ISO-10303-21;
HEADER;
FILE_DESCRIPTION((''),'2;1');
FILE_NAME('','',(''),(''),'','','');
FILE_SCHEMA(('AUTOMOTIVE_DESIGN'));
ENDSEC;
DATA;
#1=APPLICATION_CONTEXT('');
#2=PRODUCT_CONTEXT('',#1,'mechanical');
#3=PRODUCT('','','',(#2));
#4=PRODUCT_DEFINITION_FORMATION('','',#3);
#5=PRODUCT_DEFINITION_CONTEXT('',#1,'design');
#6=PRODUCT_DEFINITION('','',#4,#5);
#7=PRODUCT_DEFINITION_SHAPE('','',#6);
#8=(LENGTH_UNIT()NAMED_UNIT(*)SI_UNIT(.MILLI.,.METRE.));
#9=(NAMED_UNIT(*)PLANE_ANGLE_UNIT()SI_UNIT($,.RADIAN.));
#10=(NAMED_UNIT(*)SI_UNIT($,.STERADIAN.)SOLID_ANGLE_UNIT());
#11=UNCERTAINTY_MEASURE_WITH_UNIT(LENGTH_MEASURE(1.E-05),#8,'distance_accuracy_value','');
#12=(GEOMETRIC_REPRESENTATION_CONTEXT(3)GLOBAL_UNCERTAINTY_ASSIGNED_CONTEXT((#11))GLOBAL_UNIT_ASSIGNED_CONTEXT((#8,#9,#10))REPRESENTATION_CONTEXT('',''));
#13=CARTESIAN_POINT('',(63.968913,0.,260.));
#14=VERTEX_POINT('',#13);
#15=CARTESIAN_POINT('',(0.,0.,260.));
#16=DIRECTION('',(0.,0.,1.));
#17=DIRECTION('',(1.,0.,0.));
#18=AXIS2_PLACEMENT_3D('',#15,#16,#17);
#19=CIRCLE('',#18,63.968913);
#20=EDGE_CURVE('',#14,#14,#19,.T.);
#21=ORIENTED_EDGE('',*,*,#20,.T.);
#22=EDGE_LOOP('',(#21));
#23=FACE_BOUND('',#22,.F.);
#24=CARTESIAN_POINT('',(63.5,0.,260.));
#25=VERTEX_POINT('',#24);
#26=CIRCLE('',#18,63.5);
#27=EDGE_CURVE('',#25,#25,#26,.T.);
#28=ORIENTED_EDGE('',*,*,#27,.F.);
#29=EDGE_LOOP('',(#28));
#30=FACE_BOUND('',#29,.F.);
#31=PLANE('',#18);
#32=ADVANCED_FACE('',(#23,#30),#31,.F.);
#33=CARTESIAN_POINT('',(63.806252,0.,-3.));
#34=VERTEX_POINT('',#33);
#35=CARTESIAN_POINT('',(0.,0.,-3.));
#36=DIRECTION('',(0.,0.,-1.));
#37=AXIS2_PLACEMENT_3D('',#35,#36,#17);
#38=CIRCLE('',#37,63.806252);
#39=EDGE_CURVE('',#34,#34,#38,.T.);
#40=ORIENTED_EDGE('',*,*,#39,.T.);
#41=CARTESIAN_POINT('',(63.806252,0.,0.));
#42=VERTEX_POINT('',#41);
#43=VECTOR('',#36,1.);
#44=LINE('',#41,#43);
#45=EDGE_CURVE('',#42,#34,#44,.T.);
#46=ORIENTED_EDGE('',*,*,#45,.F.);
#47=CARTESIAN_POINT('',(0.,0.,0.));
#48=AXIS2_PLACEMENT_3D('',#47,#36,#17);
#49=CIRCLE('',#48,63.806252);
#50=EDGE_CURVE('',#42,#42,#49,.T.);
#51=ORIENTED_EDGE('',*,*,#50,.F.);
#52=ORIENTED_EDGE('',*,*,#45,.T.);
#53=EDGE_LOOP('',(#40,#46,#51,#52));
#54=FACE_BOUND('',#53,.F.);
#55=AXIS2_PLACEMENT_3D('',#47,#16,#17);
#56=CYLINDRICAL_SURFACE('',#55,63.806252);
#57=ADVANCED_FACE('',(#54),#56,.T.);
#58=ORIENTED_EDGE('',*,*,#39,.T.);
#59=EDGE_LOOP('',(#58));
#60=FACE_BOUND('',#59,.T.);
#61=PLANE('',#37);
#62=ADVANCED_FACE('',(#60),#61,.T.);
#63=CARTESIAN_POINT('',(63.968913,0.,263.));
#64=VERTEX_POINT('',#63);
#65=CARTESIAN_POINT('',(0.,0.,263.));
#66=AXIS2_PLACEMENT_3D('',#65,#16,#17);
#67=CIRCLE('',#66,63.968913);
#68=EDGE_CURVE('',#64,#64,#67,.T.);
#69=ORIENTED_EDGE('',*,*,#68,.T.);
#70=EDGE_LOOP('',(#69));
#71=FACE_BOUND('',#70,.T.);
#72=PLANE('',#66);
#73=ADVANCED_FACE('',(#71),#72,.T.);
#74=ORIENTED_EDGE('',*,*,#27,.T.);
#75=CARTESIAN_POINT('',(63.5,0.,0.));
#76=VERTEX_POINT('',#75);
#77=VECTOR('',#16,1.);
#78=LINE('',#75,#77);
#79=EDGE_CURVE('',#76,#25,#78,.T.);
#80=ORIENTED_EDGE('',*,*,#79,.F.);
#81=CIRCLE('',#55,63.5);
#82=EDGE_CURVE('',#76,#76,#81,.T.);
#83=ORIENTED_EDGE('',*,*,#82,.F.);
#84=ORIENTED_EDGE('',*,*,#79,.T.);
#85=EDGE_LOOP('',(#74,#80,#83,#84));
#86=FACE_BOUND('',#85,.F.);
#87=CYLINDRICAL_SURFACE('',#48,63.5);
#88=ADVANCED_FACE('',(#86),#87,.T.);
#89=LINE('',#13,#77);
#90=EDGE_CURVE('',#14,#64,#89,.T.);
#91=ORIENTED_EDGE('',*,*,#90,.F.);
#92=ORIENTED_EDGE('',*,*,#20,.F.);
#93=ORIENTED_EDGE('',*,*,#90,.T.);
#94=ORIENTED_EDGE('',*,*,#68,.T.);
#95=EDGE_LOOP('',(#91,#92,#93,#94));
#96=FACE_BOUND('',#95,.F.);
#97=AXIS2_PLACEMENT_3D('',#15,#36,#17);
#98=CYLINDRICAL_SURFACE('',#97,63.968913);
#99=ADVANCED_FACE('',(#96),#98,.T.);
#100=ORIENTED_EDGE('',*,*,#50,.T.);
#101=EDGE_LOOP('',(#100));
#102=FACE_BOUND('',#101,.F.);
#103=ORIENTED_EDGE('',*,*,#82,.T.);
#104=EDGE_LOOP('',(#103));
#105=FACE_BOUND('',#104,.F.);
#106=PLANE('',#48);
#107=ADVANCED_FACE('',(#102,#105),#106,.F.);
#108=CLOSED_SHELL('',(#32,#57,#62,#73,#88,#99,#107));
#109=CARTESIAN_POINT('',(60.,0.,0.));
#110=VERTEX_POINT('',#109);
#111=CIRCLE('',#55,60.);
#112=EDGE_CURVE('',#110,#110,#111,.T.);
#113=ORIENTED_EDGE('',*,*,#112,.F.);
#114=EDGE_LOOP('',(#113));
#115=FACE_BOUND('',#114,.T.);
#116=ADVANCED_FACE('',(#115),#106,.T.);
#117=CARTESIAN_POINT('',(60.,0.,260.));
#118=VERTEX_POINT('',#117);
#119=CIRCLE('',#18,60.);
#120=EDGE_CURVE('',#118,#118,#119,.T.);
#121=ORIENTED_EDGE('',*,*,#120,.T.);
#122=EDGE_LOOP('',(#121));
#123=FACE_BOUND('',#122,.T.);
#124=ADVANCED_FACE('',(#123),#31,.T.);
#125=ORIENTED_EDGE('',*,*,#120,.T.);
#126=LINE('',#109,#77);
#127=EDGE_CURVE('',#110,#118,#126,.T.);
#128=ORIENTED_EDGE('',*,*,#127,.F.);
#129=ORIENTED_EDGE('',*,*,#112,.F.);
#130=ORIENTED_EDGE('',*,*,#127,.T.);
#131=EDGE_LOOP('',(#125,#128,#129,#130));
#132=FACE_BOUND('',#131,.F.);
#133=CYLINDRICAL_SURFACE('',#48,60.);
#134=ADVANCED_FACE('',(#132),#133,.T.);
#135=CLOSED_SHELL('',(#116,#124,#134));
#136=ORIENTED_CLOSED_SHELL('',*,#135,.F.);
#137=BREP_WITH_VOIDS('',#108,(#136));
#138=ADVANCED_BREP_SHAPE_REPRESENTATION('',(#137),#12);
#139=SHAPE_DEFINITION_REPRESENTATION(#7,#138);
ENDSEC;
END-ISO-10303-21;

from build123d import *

# Parameters (mm, degrees)
F0_R     = 63.5
F0_R_2   = 60
F1_DEPTH = 260
F2_R     = 63.806252
F3_DEPTH = 3
F4_R     = 63.968913
F5_DEPTH = 3


with BuildPart() as f1:
    # F0 (on Top) → F1 (new body)
    with BuildSketch(Plane.XY):
        Circle(F0_R)
        Circle(F0_R_2, mode=Mode.SUBTRACT)
    extrude(amount=F1_DEPTH)

    # F2 (on face) → F3 (join)
    with BuildSketch(Plane(origin=(0, 0, 0), x_dir=(1, 0, 0), z_dir=(0, 0, -1))):
        Circle(F2_R)
    extrude(amount=F3_DEPTH)

    # F4 (on face) → F5 (join)
    with BuildSketch(Plane.XY.offset(260)):
        Circle(F4_R)
    extrude(amount=F5_DEPTH)


solid = f1.part
